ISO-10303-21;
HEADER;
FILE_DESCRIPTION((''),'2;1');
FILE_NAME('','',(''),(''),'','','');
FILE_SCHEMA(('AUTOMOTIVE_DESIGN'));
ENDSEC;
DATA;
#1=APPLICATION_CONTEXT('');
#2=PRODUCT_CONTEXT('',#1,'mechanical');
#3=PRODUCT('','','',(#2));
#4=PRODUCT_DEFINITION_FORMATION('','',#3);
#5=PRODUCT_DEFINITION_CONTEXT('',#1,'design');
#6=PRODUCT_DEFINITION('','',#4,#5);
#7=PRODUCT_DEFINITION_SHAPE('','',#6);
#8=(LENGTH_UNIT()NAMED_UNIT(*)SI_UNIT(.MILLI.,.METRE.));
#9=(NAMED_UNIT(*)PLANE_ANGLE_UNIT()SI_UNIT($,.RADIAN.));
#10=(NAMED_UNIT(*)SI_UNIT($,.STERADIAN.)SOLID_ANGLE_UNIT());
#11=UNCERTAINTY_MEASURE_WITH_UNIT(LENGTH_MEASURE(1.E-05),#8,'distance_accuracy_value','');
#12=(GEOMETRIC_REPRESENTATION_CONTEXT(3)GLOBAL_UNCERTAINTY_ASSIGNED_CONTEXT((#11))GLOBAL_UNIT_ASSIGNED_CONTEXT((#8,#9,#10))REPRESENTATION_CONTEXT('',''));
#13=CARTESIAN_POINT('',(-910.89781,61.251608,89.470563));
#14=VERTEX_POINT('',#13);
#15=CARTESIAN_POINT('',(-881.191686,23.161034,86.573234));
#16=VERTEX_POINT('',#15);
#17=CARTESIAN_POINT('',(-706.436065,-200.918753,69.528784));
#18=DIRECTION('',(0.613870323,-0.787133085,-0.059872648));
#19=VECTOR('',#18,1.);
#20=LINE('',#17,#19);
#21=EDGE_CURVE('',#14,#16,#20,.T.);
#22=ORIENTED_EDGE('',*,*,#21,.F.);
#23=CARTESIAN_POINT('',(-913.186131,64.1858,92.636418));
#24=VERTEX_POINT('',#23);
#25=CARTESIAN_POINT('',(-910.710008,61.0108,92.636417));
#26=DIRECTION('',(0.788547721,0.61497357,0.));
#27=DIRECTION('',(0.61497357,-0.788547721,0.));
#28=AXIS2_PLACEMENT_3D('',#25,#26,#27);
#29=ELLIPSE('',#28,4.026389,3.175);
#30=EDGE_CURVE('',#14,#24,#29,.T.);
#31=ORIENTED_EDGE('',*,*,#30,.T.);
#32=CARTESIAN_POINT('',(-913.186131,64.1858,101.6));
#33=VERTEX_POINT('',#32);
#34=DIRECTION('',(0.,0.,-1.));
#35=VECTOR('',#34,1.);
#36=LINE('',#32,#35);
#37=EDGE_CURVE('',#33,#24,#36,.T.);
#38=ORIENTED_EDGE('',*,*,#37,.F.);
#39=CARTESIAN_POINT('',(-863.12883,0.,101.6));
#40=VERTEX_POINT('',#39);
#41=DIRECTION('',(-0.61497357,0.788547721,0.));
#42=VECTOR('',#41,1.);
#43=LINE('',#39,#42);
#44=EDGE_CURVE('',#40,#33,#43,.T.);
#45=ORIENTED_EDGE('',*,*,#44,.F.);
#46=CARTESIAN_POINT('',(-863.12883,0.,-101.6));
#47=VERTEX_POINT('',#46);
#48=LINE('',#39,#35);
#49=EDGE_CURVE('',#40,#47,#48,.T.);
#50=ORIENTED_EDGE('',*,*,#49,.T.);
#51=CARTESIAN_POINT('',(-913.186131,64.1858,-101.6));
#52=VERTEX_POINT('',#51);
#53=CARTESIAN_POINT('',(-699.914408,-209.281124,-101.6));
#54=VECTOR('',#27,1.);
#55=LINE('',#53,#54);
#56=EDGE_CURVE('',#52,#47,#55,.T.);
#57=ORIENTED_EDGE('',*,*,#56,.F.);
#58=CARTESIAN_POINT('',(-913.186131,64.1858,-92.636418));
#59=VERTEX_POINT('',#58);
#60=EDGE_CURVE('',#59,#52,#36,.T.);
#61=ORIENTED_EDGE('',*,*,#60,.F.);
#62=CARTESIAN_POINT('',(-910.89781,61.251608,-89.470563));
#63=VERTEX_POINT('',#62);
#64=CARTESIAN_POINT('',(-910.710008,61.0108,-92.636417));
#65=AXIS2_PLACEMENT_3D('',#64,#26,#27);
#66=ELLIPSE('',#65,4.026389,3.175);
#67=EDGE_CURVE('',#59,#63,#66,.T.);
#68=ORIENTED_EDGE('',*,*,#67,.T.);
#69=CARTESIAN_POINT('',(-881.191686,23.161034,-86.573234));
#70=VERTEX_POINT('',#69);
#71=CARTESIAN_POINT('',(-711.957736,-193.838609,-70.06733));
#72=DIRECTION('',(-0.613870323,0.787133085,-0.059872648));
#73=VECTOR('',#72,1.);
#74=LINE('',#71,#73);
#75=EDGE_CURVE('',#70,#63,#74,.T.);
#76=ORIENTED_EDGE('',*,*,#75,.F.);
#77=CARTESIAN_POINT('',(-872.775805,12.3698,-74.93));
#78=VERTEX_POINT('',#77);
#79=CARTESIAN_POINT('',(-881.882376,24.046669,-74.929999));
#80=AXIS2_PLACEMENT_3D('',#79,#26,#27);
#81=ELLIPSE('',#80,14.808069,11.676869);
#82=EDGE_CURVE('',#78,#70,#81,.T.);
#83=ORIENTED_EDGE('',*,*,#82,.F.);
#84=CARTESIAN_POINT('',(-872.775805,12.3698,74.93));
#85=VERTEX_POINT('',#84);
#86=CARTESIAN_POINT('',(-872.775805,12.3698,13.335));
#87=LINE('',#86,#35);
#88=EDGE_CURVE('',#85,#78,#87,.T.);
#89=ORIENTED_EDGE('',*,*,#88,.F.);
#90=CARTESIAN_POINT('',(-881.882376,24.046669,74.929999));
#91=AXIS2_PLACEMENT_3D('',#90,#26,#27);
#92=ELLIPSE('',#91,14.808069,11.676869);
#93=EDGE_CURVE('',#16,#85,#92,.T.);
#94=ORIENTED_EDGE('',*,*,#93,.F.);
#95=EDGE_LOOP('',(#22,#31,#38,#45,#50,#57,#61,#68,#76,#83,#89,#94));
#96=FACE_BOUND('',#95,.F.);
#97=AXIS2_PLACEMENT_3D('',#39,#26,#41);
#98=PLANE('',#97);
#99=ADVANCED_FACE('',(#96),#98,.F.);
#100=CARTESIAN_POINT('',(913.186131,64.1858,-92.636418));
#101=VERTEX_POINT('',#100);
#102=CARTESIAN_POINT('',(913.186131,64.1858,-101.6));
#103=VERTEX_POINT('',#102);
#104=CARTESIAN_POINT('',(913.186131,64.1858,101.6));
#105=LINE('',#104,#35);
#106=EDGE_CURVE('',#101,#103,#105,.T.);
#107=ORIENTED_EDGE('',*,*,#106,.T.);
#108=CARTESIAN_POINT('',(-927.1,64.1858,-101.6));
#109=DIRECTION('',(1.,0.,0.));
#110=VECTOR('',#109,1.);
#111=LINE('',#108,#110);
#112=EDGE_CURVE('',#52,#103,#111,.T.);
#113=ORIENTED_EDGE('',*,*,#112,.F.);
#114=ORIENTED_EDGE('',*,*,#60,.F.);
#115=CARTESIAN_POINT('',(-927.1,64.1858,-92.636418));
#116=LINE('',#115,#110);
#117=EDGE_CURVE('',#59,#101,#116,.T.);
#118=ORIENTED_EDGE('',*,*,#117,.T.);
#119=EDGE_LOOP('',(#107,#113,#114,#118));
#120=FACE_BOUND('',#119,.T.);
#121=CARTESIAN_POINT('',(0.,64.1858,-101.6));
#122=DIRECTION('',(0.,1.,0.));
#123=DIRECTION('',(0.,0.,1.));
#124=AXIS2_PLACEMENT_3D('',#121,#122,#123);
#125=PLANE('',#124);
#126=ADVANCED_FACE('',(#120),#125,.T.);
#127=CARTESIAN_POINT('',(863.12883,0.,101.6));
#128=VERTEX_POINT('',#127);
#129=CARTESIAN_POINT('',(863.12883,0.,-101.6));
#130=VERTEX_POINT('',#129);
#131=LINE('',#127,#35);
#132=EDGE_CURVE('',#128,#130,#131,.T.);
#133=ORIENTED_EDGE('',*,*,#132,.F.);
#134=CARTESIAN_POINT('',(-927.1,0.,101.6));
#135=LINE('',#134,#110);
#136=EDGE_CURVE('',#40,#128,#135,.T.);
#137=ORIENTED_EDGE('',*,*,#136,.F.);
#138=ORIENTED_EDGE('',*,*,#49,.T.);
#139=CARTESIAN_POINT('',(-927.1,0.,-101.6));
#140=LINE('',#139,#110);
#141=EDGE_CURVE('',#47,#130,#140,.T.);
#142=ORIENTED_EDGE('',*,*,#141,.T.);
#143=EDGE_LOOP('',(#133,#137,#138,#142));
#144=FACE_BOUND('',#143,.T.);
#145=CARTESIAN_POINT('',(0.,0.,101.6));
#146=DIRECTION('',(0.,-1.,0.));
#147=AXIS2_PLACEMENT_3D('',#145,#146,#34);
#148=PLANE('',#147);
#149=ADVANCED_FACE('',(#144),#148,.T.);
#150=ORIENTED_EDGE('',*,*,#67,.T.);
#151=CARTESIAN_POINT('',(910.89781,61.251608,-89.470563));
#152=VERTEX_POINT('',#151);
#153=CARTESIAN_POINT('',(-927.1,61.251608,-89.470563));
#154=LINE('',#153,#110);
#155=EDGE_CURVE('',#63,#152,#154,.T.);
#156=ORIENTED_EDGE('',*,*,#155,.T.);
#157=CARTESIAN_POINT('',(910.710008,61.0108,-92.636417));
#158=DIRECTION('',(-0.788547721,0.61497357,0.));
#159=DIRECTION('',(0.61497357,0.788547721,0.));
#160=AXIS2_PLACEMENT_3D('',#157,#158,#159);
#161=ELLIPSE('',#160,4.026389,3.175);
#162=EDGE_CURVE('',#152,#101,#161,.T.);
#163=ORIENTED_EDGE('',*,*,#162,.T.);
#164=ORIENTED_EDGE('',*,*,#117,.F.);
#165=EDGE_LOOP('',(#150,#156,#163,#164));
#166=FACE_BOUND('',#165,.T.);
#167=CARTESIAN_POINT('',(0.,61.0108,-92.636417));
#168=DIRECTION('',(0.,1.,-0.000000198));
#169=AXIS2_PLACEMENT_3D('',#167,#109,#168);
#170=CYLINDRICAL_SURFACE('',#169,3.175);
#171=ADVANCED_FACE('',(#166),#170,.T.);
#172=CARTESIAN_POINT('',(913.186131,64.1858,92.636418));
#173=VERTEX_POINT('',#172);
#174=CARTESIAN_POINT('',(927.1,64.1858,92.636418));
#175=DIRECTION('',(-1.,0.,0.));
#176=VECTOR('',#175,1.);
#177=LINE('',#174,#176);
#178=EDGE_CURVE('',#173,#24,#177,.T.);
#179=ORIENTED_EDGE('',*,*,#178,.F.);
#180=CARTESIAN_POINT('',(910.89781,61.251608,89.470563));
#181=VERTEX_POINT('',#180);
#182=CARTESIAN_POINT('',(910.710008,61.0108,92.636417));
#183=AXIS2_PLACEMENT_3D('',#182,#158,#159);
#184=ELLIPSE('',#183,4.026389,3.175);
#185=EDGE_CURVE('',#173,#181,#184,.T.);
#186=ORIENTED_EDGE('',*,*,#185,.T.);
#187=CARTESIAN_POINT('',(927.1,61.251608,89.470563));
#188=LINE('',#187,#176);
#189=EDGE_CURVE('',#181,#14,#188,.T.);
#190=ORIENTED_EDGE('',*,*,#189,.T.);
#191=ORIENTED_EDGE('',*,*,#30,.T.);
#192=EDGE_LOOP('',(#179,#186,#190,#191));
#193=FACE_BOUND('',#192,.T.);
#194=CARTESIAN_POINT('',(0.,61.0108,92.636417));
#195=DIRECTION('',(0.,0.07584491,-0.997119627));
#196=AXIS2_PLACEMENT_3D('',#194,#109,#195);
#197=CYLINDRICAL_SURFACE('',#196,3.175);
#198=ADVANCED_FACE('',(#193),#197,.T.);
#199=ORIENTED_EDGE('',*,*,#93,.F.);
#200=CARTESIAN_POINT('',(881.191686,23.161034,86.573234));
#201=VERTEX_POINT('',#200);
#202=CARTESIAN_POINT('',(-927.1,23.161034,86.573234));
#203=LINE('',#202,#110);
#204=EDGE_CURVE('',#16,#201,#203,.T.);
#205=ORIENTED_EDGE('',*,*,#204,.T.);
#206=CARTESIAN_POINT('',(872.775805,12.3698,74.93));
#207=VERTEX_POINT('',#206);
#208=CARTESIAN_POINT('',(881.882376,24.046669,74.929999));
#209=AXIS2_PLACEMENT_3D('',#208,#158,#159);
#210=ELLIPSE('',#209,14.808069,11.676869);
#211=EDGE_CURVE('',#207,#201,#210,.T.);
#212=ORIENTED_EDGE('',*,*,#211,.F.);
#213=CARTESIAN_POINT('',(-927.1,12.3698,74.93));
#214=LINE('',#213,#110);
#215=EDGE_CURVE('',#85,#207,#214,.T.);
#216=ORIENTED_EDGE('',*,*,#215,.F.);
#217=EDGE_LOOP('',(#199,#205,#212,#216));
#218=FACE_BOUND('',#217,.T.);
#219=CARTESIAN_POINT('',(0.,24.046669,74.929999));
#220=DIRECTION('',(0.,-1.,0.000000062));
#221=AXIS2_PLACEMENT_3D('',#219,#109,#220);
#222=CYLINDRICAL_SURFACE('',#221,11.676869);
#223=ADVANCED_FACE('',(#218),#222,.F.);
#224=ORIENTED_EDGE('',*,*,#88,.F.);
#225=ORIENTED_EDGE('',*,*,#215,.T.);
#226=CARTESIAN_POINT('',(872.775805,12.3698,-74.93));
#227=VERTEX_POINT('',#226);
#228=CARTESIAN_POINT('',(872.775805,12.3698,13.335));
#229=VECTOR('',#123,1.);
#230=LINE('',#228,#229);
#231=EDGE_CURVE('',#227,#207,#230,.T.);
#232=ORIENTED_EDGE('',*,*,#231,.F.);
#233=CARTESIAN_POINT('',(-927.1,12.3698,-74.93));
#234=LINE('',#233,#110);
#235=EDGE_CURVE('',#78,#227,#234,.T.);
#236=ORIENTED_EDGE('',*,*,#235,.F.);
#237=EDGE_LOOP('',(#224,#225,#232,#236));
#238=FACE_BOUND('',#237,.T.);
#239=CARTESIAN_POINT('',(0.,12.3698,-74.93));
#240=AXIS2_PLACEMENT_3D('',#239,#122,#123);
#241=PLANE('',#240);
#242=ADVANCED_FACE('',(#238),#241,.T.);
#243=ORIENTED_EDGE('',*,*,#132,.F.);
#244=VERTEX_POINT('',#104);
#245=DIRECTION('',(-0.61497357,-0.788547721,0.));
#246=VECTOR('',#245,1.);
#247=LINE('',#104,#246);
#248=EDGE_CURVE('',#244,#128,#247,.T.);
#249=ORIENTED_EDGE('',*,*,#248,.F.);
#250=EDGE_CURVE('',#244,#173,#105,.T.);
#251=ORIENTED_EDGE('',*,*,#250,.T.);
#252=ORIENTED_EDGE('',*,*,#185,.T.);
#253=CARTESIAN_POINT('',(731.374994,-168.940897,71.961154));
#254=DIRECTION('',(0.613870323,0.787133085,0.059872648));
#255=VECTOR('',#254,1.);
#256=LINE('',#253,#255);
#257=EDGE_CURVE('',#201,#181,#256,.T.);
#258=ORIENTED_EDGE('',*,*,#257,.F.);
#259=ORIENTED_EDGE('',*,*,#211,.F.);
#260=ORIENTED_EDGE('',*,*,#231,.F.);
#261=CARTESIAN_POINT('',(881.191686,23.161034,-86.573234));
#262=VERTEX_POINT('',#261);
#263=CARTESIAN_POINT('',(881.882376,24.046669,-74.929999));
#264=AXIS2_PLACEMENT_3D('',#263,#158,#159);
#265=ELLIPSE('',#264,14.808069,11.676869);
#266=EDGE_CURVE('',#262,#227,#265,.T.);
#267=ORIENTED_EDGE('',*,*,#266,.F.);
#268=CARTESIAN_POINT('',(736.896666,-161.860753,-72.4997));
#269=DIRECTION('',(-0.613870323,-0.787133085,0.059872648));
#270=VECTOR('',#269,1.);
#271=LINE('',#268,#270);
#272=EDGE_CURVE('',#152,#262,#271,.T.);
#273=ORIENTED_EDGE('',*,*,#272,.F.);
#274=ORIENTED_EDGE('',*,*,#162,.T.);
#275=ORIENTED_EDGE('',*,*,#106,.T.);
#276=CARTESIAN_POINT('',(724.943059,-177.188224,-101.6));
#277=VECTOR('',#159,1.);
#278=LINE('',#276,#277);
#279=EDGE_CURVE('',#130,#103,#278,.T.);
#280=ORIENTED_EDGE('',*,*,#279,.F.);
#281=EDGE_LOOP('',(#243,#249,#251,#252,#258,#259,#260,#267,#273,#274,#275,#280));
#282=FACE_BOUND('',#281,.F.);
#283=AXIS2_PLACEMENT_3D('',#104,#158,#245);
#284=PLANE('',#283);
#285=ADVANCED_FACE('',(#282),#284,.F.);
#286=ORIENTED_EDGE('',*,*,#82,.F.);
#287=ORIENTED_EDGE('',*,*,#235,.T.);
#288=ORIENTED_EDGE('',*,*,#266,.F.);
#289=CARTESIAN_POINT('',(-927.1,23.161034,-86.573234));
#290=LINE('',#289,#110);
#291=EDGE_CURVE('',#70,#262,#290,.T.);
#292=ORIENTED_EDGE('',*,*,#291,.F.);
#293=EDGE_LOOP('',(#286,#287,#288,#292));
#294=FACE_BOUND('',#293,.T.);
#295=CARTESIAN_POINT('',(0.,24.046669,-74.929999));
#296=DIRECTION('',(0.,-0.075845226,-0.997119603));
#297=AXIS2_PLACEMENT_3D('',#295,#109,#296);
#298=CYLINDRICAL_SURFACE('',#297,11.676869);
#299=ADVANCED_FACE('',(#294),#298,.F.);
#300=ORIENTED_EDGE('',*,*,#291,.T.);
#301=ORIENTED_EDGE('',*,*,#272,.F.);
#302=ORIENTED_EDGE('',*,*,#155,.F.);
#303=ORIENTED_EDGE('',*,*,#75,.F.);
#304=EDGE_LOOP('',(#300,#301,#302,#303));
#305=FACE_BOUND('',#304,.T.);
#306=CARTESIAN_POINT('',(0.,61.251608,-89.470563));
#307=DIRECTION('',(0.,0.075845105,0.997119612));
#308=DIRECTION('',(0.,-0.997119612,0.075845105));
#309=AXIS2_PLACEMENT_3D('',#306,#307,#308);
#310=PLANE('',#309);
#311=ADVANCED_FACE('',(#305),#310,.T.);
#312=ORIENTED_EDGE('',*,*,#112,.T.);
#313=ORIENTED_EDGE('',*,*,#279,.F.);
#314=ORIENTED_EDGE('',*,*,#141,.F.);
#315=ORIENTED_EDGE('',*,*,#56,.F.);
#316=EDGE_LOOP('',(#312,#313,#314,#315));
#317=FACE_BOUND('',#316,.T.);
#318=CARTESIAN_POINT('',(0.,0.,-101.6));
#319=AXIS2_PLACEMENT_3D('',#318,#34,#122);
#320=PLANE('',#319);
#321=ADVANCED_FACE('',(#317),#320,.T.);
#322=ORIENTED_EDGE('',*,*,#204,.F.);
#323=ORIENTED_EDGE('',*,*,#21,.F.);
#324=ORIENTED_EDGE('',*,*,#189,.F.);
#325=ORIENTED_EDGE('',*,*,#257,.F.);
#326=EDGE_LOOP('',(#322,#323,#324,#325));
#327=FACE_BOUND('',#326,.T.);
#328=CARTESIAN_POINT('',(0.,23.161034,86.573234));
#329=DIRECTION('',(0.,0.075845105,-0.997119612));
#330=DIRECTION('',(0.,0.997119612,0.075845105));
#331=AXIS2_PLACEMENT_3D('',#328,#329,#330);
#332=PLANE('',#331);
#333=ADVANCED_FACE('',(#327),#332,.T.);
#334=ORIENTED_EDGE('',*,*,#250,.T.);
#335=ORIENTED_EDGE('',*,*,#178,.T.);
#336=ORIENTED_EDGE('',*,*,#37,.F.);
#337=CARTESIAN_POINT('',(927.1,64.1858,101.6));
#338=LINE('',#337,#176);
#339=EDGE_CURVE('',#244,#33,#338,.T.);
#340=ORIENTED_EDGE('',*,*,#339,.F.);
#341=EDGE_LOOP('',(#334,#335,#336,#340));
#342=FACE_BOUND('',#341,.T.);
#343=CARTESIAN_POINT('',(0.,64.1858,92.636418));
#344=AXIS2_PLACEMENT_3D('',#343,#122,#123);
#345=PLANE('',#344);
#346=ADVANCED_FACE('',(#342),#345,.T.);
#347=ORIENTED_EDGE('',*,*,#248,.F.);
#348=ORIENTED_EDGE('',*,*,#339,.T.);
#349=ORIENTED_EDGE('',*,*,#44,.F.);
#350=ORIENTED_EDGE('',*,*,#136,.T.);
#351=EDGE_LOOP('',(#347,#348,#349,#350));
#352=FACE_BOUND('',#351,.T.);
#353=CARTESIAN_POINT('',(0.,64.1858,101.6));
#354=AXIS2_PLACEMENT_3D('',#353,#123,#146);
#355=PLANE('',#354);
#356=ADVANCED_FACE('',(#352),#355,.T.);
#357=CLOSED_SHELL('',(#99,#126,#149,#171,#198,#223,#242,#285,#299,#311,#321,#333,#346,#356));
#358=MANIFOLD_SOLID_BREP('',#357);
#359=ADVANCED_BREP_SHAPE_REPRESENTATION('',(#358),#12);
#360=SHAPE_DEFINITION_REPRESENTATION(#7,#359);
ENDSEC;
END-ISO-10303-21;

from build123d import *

# Parameters (mm, degrees)
F1_DEPTH = 927.1
F3_DEPTH = 203.201


with BuildPart() as f1:
    # F0 (on Right) → F1 (new body, symmetric)
    with BuildSketch(Plane.YZ):
        with BuildLine():
            Line((64.1858, 101.6), (0, 101.6))
            Line((0, 101.6), (0, -101.6))
            Line((0, -101.6), (64.1858, -101.6))
            Line((64.1858, -101.6), (64.1858, -92.636418))
            ThreePointArc((64.1858, -92.636418), (63.339447, -90.478171), (61.251608, -89.470563))
            Line((61.251608, -89.470563), (23.161034, -86.573234))
            ThreePointArc((23.161034, -86.573234), (15.482479, -82.8675), (12.3698, -74.93))
            Line((12.3698, -74.93), (12.3698, 74.93))
            ThreePointArc((12.3698, 74.93), (15.482479, 82.8675), (23.161034, 86.573234))
            Line((23.161034, 86.573234), (61.251608, 89.470563))
            ThreePointArc((61.251608, 89.470563), (63.339447, 90.478171), (64.1858, 92.636418))
            Line((64.1858, 92.636418), (64.1858, 101.6))
        make_face()
    extrude(amount=F1_DEPTH, both=True)

    # F2 (on face) → F3 (cut, through all)
    with BuildSketch(Plane.XY.offset(101.6)):
        Polygon((-913.186131, 64.1858), (-927.1, 64.1858), (-927.1, 0), (-863.12883, 0), align=None)
        Polygon((927.1, 0), (927.1, 64.1858), (913.186131, 64.1858), (863.12883, 0), align=None)
    extrude(amount=-F3_DEPTH, mode=Mode.SUBTRACT)


solid = f1.part
